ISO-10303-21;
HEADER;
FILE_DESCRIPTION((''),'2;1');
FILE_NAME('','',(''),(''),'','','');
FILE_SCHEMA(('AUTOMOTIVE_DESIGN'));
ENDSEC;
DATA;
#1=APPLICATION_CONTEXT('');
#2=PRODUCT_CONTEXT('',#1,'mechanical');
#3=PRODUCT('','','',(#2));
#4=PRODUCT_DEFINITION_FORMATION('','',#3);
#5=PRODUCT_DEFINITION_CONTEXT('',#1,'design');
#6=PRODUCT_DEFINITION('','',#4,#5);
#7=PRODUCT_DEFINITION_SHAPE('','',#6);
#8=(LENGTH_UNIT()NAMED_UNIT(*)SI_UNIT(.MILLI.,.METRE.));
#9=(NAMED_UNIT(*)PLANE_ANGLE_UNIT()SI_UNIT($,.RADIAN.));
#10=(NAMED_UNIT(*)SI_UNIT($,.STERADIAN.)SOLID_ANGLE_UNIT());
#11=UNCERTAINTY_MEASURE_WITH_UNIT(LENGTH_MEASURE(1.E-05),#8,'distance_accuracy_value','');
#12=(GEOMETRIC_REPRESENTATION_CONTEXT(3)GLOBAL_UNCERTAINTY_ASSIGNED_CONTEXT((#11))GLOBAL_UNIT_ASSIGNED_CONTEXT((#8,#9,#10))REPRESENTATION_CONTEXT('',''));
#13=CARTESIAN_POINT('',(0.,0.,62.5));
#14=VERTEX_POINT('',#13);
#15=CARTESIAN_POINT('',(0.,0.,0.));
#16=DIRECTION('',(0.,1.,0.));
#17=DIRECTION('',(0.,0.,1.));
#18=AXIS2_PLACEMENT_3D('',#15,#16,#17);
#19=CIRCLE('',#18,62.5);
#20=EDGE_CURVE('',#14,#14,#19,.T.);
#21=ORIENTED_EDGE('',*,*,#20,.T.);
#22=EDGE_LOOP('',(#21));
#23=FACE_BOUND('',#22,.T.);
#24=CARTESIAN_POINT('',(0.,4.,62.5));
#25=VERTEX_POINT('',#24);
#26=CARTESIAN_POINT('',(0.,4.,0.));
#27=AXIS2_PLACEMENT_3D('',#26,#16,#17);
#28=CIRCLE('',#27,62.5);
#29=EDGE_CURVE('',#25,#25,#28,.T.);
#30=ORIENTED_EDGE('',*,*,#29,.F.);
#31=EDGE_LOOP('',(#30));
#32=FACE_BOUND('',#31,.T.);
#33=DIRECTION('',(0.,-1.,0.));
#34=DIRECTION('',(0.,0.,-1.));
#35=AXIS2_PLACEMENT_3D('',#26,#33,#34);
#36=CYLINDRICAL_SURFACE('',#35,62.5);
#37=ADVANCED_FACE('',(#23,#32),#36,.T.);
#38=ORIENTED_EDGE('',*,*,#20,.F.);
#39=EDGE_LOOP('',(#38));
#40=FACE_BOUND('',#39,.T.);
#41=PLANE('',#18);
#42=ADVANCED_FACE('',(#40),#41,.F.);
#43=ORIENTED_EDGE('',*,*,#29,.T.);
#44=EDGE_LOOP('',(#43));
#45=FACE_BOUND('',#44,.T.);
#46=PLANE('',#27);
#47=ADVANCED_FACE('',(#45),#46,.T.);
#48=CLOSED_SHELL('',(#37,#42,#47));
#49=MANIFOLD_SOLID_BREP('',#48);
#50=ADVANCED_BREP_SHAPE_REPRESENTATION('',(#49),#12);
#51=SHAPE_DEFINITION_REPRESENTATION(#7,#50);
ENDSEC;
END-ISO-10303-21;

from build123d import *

# Parameters (mm, degrees)
SKETCH1_R           = 62.5
BOSS_EXTRUDE1_DEPTH = 4


with BuildPart() as part:
    # Sketch1 → Boss-Extrude1 (new body)
    with BuildSketch(Plane(origin=(0, 0, 0), x_dir=(1, 0, 0), z_dir=(0, 1, 0))):
        Circle(SKETCH1_R)
    extrude(amount=BOSS_EXTRUDE1_DEPTH)


solid = part.part
